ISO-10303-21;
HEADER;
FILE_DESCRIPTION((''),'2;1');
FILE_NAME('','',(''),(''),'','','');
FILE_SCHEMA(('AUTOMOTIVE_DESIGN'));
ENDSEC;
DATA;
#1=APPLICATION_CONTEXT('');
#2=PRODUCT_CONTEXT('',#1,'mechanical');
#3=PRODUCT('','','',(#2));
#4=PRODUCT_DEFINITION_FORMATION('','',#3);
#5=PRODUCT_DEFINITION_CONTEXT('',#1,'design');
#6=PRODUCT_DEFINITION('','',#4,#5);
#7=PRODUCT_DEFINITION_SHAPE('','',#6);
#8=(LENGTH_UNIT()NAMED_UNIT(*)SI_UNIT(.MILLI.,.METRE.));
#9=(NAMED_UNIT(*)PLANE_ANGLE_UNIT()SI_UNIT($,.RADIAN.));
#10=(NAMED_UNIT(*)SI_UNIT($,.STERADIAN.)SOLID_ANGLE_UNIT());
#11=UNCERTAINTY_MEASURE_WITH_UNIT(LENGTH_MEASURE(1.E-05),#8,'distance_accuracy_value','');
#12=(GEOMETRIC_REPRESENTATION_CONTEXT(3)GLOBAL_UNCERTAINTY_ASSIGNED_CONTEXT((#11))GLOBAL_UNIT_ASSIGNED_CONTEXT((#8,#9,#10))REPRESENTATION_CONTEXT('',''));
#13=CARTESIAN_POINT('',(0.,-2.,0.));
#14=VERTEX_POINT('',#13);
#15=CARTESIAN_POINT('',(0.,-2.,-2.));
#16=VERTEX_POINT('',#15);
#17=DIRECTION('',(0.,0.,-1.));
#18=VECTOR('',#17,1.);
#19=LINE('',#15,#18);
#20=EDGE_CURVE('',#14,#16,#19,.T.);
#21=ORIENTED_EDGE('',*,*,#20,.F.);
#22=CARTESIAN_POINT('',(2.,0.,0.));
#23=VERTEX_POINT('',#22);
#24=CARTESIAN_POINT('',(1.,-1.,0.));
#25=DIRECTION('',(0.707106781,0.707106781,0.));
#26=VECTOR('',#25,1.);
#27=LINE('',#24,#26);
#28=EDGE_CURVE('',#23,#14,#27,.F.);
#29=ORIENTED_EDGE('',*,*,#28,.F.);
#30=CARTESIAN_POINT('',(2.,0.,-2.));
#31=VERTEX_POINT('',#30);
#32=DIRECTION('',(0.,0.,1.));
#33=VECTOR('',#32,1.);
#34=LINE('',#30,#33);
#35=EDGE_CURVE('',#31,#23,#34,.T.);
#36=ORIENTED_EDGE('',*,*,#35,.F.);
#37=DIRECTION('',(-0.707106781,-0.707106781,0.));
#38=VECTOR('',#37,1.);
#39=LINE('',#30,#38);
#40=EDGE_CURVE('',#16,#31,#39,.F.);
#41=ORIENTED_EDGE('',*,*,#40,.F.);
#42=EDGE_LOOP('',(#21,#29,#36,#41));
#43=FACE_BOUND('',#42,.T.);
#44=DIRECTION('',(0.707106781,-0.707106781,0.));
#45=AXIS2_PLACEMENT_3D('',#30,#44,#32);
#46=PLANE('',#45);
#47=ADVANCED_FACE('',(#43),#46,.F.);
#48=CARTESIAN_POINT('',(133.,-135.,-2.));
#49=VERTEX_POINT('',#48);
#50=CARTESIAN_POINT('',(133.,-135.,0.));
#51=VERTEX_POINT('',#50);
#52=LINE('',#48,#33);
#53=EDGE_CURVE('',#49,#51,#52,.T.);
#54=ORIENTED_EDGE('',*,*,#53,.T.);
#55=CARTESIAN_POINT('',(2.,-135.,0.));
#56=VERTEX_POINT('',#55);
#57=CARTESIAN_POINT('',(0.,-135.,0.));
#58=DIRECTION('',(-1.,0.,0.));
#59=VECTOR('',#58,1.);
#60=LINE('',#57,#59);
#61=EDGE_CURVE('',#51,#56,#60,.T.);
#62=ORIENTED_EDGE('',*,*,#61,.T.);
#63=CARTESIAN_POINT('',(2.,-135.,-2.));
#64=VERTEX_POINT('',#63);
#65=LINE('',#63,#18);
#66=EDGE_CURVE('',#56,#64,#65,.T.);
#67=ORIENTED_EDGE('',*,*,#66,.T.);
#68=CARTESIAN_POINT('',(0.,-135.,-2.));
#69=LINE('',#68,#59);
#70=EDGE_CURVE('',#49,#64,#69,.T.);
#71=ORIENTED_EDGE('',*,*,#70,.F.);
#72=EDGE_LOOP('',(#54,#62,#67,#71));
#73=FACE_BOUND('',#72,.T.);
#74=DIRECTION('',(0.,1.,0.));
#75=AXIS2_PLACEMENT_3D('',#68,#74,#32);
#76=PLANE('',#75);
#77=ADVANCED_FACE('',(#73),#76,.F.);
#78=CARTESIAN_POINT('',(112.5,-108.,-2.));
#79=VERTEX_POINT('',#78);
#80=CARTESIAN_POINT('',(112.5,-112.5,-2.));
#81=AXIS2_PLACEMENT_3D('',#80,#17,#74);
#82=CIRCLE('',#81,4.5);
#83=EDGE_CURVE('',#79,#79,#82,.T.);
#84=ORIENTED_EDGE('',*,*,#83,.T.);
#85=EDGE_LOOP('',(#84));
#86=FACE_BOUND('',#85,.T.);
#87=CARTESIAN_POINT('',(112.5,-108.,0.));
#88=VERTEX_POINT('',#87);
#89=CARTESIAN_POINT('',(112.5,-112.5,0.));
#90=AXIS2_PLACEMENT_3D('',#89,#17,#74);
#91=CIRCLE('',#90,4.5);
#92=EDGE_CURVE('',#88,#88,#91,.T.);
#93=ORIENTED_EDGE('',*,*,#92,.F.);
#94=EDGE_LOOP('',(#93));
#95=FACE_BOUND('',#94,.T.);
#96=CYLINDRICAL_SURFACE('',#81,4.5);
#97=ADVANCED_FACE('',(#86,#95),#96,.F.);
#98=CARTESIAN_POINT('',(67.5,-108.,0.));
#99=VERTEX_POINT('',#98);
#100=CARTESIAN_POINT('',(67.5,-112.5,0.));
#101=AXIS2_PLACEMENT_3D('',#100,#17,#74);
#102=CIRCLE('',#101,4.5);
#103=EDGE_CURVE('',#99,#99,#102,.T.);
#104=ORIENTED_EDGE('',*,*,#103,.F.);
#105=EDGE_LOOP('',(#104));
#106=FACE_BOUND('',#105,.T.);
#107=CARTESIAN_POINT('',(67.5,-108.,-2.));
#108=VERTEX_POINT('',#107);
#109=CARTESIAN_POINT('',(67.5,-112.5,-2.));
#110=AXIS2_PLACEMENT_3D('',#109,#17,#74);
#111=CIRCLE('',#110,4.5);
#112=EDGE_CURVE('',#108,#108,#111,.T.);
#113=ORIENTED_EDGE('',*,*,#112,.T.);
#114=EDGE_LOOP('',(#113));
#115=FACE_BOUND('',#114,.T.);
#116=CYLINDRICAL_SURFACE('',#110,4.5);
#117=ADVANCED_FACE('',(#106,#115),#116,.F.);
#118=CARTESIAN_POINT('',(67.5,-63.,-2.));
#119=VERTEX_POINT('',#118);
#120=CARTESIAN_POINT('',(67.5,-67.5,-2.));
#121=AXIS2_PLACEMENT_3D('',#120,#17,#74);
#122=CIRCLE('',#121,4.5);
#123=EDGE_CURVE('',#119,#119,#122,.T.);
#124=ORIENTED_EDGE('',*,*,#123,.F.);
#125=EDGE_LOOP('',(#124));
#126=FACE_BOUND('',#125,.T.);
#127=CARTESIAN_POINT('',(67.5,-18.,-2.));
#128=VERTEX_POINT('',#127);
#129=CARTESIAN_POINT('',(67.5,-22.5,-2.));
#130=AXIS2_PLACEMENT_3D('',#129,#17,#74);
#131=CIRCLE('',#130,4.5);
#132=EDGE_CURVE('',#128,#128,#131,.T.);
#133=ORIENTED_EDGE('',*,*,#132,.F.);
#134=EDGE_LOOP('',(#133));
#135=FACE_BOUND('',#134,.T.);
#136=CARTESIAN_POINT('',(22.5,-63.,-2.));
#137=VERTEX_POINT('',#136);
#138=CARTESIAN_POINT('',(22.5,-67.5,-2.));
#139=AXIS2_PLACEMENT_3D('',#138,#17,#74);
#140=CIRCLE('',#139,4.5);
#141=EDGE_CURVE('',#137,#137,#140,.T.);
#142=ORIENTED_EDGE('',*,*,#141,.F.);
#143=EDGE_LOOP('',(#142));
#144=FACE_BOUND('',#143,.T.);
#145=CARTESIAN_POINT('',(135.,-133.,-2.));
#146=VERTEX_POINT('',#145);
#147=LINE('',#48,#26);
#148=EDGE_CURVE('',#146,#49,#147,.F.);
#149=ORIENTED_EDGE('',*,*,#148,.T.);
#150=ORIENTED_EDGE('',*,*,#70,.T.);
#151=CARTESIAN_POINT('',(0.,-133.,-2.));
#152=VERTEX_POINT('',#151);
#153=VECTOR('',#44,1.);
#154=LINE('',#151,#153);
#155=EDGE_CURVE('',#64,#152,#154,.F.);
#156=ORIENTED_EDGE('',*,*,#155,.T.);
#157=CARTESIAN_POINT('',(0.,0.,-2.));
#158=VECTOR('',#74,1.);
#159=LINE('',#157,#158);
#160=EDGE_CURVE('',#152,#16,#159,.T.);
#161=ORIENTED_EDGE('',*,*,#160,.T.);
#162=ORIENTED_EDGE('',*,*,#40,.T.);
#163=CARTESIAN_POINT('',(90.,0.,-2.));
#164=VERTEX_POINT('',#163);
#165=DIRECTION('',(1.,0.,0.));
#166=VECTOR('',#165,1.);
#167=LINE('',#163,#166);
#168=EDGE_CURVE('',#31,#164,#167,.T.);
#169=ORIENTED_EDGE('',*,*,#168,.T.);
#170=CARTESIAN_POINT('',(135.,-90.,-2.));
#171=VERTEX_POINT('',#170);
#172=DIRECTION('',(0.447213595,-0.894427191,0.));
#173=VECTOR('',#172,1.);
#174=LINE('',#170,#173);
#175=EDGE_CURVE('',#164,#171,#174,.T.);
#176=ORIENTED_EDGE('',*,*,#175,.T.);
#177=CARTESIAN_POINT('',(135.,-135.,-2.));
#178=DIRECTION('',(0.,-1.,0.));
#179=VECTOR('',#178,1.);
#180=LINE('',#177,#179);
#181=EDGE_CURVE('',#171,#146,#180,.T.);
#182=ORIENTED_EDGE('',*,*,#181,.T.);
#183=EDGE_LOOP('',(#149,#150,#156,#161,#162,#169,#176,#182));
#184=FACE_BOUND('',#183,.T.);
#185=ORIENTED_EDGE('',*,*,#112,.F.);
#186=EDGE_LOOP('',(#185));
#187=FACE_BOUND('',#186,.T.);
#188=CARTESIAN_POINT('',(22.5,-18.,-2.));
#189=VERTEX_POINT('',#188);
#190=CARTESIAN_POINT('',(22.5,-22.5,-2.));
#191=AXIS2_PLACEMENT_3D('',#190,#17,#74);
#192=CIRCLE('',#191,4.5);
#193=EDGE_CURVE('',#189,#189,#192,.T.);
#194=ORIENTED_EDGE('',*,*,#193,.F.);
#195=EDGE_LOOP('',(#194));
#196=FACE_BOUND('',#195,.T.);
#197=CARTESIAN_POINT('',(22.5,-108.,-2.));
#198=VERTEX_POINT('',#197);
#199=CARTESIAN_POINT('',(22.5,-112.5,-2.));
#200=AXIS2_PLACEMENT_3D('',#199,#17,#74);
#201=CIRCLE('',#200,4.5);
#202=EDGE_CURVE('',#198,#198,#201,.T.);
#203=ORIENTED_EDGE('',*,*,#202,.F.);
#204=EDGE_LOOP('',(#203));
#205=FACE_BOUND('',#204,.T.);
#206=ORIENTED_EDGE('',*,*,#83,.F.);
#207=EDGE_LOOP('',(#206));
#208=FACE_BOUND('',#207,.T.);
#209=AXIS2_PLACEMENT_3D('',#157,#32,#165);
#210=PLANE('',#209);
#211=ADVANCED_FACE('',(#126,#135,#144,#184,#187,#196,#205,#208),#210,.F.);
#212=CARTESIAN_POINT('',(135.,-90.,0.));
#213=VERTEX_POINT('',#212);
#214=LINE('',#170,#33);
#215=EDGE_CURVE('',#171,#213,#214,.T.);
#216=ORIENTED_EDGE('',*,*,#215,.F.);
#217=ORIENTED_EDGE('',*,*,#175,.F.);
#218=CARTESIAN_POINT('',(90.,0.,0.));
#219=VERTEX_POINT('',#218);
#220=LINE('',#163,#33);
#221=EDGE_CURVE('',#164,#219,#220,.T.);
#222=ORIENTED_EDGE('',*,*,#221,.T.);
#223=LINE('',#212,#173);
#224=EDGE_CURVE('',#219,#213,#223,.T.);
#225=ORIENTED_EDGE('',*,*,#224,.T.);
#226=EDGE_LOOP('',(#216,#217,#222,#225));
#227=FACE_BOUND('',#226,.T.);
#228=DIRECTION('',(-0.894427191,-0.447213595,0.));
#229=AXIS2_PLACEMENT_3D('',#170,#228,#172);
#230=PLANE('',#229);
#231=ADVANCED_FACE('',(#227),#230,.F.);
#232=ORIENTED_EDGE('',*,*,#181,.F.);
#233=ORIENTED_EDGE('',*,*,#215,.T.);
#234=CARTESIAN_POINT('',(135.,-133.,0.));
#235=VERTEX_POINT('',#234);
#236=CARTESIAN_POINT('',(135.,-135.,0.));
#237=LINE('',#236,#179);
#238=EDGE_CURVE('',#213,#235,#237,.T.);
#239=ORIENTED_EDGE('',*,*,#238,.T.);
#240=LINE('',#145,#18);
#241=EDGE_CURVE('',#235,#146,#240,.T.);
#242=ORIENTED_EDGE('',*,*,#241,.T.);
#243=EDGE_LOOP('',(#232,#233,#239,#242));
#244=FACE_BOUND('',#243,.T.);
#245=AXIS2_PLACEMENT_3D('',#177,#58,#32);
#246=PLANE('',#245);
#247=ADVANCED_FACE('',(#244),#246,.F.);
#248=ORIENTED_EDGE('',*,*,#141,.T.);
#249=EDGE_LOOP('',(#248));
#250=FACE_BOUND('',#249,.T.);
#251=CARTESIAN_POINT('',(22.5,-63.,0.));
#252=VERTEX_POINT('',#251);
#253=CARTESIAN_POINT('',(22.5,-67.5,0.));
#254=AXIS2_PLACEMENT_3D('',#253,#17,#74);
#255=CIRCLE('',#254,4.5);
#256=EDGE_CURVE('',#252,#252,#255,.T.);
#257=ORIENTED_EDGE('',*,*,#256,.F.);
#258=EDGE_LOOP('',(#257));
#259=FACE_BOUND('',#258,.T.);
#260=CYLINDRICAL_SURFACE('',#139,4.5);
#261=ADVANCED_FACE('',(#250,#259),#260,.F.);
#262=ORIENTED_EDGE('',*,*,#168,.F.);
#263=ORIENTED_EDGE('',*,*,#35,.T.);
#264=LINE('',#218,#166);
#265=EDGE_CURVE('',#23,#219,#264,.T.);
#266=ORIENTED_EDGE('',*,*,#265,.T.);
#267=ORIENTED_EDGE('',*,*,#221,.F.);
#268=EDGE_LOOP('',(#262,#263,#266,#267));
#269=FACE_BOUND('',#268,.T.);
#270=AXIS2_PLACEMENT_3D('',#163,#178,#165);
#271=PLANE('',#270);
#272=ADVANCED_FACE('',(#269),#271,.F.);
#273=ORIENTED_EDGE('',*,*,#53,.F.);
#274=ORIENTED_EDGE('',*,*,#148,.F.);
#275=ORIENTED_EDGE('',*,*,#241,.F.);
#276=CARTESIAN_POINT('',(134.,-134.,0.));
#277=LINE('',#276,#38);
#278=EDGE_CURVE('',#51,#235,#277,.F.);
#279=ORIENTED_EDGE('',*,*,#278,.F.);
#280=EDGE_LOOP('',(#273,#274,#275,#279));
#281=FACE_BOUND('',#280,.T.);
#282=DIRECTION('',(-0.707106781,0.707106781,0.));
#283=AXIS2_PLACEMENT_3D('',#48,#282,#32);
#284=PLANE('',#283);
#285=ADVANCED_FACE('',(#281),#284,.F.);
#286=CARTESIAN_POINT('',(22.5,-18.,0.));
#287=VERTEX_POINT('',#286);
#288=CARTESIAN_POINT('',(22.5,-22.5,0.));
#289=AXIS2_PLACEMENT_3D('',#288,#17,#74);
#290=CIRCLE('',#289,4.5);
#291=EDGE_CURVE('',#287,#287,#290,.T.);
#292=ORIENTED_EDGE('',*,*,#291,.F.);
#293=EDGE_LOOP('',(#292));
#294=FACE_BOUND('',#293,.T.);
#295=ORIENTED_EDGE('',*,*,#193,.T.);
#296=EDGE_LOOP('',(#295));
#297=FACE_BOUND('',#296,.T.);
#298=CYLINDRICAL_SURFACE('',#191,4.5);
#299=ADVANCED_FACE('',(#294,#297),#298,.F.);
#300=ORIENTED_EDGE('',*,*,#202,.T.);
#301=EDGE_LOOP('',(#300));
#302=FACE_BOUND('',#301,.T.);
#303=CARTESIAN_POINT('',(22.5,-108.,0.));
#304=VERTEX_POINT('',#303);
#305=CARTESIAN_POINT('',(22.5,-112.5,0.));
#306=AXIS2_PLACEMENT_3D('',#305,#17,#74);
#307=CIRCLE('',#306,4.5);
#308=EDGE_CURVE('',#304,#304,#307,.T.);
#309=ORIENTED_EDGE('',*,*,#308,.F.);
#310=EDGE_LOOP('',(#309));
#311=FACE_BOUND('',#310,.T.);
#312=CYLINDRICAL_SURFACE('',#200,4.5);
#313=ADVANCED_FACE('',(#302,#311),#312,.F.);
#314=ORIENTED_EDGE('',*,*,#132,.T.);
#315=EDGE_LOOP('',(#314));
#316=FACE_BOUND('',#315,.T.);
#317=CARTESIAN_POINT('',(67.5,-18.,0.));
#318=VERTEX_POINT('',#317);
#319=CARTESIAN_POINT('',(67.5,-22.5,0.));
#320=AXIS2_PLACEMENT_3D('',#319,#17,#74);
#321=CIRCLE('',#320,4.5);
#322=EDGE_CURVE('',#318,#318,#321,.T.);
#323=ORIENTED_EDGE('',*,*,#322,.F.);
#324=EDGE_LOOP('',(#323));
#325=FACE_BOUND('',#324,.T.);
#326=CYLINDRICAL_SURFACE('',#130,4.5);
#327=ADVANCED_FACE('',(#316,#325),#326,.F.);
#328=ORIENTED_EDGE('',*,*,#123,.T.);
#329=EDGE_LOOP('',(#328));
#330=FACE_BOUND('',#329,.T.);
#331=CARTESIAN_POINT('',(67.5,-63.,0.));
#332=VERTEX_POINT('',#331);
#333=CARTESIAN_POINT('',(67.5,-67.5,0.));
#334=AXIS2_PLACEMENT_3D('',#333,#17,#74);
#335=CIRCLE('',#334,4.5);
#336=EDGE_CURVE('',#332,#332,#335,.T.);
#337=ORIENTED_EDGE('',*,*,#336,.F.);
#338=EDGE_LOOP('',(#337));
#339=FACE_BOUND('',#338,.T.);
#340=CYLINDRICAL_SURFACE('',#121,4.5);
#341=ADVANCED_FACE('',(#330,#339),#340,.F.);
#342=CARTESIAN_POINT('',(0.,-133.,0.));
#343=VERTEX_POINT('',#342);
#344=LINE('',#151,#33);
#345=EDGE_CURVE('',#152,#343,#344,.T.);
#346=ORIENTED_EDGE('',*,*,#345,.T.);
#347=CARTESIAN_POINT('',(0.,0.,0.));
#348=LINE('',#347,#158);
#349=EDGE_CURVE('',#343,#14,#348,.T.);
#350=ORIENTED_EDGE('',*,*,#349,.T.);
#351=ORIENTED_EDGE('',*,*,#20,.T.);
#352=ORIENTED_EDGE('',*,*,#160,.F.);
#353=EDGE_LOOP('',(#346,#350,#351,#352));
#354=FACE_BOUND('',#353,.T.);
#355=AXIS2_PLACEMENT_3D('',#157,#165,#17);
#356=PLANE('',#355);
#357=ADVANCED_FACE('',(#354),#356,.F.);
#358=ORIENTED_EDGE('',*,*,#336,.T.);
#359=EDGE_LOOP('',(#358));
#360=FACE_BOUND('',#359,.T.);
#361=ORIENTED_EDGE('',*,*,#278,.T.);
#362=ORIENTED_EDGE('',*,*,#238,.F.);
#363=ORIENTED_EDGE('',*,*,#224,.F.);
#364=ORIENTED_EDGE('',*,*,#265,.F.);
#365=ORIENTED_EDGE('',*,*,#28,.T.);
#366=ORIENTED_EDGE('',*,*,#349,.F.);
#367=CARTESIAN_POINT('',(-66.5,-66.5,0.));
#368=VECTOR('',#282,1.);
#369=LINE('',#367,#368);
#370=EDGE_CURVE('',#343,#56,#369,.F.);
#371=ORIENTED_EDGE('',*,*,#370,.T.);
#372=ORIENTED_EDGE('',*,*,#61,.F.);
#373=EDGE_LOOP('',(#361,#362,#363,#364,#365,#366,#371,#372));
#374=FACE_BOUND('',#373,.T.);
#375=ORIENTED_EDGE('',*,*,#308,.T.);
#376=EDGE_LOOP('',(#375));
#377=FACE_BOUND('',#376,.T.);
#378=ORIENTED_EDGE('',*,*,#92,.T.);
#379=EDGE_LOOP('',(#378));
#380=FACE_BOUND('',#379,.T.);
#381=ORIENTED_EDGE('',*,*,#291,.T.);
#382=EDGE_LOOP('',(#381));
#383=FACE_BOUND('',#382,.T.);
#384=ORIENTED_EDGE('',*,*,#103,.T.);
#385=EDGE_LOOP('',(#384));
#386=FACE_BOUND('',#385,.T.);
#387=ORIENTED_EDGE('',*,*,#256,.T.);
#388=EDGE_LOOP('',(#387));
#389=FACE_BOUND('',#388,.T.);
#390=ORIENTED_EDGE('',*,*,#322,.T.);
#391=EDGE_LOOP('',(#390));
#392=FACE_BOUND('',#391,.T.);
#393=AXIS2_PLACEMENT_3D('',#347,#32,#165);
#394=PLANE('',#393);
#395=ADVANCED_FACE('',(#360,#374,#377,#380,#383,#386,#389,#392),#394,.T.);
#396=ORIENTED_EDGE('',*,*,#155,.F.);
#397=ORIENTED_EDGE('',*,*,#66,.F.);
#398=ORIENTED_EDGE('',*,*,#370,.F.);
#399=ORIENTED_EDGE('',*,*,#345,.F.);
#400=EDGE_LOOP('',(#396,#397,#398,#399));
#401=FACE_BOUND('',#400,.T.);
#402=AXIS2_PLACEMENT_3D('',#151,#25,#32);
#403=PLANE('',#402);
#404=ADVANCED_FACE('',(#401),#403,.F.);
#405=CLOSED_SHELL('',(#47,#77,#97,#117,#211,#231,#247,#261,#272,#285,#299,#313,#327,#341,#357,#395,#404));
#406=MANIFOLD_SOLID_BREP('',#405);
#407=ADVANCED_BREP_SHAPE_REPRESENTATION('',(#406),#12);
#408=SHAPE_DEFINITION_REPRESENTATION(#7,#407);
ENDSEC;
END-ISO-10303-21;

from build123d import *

# Parameters (mm, degrees)
EXTRUDE_1_DEPTH   = 2
HOLE_WIZARD_M81_D = 9
CHAMFER_1_SIZE    = 2


with BuildPart() as part:
    # Эскиз1 → Бобышка-Вытянуть1 (new body)
    with BuildSketch(Plane(origin=(0, 0, 0), x_dir=(1, 0, 0), z_dir=(0, 0, -1))):
        Polygon((0, 0), (0, 135), (135, 135), (135, 90), (90, 0), align=None)
    extrude(amount=EXTRUDE_1_DEPTH)

    # Отверстие с зазором M81 (through all)
    with Locations(Plane(origin=(0, 0, -2), x_dir=(1, 0, 0), z_dir=(0, 0, -1))):
        with Locations((67.5, 112.5), (22.5, 112.5), (22.5, 67.5), (22.5, 22.5), (112.5, 112.5), (67.5, 67.5), (67.5, 22.5)):
            Hole(HOLE_WIZARD_M81_D / 2)

    # Фаска1
    chamfer_1_edges = [part.edges().sort_by_distance(p)[0] for p in [
        (0, 0, -1),
        (0, -135, -1),
        (135, -135, -1),
    ]]
    chamfer(chamfer_1_edges, length=CHAMFER_1_SIZE)


solid = part.part
